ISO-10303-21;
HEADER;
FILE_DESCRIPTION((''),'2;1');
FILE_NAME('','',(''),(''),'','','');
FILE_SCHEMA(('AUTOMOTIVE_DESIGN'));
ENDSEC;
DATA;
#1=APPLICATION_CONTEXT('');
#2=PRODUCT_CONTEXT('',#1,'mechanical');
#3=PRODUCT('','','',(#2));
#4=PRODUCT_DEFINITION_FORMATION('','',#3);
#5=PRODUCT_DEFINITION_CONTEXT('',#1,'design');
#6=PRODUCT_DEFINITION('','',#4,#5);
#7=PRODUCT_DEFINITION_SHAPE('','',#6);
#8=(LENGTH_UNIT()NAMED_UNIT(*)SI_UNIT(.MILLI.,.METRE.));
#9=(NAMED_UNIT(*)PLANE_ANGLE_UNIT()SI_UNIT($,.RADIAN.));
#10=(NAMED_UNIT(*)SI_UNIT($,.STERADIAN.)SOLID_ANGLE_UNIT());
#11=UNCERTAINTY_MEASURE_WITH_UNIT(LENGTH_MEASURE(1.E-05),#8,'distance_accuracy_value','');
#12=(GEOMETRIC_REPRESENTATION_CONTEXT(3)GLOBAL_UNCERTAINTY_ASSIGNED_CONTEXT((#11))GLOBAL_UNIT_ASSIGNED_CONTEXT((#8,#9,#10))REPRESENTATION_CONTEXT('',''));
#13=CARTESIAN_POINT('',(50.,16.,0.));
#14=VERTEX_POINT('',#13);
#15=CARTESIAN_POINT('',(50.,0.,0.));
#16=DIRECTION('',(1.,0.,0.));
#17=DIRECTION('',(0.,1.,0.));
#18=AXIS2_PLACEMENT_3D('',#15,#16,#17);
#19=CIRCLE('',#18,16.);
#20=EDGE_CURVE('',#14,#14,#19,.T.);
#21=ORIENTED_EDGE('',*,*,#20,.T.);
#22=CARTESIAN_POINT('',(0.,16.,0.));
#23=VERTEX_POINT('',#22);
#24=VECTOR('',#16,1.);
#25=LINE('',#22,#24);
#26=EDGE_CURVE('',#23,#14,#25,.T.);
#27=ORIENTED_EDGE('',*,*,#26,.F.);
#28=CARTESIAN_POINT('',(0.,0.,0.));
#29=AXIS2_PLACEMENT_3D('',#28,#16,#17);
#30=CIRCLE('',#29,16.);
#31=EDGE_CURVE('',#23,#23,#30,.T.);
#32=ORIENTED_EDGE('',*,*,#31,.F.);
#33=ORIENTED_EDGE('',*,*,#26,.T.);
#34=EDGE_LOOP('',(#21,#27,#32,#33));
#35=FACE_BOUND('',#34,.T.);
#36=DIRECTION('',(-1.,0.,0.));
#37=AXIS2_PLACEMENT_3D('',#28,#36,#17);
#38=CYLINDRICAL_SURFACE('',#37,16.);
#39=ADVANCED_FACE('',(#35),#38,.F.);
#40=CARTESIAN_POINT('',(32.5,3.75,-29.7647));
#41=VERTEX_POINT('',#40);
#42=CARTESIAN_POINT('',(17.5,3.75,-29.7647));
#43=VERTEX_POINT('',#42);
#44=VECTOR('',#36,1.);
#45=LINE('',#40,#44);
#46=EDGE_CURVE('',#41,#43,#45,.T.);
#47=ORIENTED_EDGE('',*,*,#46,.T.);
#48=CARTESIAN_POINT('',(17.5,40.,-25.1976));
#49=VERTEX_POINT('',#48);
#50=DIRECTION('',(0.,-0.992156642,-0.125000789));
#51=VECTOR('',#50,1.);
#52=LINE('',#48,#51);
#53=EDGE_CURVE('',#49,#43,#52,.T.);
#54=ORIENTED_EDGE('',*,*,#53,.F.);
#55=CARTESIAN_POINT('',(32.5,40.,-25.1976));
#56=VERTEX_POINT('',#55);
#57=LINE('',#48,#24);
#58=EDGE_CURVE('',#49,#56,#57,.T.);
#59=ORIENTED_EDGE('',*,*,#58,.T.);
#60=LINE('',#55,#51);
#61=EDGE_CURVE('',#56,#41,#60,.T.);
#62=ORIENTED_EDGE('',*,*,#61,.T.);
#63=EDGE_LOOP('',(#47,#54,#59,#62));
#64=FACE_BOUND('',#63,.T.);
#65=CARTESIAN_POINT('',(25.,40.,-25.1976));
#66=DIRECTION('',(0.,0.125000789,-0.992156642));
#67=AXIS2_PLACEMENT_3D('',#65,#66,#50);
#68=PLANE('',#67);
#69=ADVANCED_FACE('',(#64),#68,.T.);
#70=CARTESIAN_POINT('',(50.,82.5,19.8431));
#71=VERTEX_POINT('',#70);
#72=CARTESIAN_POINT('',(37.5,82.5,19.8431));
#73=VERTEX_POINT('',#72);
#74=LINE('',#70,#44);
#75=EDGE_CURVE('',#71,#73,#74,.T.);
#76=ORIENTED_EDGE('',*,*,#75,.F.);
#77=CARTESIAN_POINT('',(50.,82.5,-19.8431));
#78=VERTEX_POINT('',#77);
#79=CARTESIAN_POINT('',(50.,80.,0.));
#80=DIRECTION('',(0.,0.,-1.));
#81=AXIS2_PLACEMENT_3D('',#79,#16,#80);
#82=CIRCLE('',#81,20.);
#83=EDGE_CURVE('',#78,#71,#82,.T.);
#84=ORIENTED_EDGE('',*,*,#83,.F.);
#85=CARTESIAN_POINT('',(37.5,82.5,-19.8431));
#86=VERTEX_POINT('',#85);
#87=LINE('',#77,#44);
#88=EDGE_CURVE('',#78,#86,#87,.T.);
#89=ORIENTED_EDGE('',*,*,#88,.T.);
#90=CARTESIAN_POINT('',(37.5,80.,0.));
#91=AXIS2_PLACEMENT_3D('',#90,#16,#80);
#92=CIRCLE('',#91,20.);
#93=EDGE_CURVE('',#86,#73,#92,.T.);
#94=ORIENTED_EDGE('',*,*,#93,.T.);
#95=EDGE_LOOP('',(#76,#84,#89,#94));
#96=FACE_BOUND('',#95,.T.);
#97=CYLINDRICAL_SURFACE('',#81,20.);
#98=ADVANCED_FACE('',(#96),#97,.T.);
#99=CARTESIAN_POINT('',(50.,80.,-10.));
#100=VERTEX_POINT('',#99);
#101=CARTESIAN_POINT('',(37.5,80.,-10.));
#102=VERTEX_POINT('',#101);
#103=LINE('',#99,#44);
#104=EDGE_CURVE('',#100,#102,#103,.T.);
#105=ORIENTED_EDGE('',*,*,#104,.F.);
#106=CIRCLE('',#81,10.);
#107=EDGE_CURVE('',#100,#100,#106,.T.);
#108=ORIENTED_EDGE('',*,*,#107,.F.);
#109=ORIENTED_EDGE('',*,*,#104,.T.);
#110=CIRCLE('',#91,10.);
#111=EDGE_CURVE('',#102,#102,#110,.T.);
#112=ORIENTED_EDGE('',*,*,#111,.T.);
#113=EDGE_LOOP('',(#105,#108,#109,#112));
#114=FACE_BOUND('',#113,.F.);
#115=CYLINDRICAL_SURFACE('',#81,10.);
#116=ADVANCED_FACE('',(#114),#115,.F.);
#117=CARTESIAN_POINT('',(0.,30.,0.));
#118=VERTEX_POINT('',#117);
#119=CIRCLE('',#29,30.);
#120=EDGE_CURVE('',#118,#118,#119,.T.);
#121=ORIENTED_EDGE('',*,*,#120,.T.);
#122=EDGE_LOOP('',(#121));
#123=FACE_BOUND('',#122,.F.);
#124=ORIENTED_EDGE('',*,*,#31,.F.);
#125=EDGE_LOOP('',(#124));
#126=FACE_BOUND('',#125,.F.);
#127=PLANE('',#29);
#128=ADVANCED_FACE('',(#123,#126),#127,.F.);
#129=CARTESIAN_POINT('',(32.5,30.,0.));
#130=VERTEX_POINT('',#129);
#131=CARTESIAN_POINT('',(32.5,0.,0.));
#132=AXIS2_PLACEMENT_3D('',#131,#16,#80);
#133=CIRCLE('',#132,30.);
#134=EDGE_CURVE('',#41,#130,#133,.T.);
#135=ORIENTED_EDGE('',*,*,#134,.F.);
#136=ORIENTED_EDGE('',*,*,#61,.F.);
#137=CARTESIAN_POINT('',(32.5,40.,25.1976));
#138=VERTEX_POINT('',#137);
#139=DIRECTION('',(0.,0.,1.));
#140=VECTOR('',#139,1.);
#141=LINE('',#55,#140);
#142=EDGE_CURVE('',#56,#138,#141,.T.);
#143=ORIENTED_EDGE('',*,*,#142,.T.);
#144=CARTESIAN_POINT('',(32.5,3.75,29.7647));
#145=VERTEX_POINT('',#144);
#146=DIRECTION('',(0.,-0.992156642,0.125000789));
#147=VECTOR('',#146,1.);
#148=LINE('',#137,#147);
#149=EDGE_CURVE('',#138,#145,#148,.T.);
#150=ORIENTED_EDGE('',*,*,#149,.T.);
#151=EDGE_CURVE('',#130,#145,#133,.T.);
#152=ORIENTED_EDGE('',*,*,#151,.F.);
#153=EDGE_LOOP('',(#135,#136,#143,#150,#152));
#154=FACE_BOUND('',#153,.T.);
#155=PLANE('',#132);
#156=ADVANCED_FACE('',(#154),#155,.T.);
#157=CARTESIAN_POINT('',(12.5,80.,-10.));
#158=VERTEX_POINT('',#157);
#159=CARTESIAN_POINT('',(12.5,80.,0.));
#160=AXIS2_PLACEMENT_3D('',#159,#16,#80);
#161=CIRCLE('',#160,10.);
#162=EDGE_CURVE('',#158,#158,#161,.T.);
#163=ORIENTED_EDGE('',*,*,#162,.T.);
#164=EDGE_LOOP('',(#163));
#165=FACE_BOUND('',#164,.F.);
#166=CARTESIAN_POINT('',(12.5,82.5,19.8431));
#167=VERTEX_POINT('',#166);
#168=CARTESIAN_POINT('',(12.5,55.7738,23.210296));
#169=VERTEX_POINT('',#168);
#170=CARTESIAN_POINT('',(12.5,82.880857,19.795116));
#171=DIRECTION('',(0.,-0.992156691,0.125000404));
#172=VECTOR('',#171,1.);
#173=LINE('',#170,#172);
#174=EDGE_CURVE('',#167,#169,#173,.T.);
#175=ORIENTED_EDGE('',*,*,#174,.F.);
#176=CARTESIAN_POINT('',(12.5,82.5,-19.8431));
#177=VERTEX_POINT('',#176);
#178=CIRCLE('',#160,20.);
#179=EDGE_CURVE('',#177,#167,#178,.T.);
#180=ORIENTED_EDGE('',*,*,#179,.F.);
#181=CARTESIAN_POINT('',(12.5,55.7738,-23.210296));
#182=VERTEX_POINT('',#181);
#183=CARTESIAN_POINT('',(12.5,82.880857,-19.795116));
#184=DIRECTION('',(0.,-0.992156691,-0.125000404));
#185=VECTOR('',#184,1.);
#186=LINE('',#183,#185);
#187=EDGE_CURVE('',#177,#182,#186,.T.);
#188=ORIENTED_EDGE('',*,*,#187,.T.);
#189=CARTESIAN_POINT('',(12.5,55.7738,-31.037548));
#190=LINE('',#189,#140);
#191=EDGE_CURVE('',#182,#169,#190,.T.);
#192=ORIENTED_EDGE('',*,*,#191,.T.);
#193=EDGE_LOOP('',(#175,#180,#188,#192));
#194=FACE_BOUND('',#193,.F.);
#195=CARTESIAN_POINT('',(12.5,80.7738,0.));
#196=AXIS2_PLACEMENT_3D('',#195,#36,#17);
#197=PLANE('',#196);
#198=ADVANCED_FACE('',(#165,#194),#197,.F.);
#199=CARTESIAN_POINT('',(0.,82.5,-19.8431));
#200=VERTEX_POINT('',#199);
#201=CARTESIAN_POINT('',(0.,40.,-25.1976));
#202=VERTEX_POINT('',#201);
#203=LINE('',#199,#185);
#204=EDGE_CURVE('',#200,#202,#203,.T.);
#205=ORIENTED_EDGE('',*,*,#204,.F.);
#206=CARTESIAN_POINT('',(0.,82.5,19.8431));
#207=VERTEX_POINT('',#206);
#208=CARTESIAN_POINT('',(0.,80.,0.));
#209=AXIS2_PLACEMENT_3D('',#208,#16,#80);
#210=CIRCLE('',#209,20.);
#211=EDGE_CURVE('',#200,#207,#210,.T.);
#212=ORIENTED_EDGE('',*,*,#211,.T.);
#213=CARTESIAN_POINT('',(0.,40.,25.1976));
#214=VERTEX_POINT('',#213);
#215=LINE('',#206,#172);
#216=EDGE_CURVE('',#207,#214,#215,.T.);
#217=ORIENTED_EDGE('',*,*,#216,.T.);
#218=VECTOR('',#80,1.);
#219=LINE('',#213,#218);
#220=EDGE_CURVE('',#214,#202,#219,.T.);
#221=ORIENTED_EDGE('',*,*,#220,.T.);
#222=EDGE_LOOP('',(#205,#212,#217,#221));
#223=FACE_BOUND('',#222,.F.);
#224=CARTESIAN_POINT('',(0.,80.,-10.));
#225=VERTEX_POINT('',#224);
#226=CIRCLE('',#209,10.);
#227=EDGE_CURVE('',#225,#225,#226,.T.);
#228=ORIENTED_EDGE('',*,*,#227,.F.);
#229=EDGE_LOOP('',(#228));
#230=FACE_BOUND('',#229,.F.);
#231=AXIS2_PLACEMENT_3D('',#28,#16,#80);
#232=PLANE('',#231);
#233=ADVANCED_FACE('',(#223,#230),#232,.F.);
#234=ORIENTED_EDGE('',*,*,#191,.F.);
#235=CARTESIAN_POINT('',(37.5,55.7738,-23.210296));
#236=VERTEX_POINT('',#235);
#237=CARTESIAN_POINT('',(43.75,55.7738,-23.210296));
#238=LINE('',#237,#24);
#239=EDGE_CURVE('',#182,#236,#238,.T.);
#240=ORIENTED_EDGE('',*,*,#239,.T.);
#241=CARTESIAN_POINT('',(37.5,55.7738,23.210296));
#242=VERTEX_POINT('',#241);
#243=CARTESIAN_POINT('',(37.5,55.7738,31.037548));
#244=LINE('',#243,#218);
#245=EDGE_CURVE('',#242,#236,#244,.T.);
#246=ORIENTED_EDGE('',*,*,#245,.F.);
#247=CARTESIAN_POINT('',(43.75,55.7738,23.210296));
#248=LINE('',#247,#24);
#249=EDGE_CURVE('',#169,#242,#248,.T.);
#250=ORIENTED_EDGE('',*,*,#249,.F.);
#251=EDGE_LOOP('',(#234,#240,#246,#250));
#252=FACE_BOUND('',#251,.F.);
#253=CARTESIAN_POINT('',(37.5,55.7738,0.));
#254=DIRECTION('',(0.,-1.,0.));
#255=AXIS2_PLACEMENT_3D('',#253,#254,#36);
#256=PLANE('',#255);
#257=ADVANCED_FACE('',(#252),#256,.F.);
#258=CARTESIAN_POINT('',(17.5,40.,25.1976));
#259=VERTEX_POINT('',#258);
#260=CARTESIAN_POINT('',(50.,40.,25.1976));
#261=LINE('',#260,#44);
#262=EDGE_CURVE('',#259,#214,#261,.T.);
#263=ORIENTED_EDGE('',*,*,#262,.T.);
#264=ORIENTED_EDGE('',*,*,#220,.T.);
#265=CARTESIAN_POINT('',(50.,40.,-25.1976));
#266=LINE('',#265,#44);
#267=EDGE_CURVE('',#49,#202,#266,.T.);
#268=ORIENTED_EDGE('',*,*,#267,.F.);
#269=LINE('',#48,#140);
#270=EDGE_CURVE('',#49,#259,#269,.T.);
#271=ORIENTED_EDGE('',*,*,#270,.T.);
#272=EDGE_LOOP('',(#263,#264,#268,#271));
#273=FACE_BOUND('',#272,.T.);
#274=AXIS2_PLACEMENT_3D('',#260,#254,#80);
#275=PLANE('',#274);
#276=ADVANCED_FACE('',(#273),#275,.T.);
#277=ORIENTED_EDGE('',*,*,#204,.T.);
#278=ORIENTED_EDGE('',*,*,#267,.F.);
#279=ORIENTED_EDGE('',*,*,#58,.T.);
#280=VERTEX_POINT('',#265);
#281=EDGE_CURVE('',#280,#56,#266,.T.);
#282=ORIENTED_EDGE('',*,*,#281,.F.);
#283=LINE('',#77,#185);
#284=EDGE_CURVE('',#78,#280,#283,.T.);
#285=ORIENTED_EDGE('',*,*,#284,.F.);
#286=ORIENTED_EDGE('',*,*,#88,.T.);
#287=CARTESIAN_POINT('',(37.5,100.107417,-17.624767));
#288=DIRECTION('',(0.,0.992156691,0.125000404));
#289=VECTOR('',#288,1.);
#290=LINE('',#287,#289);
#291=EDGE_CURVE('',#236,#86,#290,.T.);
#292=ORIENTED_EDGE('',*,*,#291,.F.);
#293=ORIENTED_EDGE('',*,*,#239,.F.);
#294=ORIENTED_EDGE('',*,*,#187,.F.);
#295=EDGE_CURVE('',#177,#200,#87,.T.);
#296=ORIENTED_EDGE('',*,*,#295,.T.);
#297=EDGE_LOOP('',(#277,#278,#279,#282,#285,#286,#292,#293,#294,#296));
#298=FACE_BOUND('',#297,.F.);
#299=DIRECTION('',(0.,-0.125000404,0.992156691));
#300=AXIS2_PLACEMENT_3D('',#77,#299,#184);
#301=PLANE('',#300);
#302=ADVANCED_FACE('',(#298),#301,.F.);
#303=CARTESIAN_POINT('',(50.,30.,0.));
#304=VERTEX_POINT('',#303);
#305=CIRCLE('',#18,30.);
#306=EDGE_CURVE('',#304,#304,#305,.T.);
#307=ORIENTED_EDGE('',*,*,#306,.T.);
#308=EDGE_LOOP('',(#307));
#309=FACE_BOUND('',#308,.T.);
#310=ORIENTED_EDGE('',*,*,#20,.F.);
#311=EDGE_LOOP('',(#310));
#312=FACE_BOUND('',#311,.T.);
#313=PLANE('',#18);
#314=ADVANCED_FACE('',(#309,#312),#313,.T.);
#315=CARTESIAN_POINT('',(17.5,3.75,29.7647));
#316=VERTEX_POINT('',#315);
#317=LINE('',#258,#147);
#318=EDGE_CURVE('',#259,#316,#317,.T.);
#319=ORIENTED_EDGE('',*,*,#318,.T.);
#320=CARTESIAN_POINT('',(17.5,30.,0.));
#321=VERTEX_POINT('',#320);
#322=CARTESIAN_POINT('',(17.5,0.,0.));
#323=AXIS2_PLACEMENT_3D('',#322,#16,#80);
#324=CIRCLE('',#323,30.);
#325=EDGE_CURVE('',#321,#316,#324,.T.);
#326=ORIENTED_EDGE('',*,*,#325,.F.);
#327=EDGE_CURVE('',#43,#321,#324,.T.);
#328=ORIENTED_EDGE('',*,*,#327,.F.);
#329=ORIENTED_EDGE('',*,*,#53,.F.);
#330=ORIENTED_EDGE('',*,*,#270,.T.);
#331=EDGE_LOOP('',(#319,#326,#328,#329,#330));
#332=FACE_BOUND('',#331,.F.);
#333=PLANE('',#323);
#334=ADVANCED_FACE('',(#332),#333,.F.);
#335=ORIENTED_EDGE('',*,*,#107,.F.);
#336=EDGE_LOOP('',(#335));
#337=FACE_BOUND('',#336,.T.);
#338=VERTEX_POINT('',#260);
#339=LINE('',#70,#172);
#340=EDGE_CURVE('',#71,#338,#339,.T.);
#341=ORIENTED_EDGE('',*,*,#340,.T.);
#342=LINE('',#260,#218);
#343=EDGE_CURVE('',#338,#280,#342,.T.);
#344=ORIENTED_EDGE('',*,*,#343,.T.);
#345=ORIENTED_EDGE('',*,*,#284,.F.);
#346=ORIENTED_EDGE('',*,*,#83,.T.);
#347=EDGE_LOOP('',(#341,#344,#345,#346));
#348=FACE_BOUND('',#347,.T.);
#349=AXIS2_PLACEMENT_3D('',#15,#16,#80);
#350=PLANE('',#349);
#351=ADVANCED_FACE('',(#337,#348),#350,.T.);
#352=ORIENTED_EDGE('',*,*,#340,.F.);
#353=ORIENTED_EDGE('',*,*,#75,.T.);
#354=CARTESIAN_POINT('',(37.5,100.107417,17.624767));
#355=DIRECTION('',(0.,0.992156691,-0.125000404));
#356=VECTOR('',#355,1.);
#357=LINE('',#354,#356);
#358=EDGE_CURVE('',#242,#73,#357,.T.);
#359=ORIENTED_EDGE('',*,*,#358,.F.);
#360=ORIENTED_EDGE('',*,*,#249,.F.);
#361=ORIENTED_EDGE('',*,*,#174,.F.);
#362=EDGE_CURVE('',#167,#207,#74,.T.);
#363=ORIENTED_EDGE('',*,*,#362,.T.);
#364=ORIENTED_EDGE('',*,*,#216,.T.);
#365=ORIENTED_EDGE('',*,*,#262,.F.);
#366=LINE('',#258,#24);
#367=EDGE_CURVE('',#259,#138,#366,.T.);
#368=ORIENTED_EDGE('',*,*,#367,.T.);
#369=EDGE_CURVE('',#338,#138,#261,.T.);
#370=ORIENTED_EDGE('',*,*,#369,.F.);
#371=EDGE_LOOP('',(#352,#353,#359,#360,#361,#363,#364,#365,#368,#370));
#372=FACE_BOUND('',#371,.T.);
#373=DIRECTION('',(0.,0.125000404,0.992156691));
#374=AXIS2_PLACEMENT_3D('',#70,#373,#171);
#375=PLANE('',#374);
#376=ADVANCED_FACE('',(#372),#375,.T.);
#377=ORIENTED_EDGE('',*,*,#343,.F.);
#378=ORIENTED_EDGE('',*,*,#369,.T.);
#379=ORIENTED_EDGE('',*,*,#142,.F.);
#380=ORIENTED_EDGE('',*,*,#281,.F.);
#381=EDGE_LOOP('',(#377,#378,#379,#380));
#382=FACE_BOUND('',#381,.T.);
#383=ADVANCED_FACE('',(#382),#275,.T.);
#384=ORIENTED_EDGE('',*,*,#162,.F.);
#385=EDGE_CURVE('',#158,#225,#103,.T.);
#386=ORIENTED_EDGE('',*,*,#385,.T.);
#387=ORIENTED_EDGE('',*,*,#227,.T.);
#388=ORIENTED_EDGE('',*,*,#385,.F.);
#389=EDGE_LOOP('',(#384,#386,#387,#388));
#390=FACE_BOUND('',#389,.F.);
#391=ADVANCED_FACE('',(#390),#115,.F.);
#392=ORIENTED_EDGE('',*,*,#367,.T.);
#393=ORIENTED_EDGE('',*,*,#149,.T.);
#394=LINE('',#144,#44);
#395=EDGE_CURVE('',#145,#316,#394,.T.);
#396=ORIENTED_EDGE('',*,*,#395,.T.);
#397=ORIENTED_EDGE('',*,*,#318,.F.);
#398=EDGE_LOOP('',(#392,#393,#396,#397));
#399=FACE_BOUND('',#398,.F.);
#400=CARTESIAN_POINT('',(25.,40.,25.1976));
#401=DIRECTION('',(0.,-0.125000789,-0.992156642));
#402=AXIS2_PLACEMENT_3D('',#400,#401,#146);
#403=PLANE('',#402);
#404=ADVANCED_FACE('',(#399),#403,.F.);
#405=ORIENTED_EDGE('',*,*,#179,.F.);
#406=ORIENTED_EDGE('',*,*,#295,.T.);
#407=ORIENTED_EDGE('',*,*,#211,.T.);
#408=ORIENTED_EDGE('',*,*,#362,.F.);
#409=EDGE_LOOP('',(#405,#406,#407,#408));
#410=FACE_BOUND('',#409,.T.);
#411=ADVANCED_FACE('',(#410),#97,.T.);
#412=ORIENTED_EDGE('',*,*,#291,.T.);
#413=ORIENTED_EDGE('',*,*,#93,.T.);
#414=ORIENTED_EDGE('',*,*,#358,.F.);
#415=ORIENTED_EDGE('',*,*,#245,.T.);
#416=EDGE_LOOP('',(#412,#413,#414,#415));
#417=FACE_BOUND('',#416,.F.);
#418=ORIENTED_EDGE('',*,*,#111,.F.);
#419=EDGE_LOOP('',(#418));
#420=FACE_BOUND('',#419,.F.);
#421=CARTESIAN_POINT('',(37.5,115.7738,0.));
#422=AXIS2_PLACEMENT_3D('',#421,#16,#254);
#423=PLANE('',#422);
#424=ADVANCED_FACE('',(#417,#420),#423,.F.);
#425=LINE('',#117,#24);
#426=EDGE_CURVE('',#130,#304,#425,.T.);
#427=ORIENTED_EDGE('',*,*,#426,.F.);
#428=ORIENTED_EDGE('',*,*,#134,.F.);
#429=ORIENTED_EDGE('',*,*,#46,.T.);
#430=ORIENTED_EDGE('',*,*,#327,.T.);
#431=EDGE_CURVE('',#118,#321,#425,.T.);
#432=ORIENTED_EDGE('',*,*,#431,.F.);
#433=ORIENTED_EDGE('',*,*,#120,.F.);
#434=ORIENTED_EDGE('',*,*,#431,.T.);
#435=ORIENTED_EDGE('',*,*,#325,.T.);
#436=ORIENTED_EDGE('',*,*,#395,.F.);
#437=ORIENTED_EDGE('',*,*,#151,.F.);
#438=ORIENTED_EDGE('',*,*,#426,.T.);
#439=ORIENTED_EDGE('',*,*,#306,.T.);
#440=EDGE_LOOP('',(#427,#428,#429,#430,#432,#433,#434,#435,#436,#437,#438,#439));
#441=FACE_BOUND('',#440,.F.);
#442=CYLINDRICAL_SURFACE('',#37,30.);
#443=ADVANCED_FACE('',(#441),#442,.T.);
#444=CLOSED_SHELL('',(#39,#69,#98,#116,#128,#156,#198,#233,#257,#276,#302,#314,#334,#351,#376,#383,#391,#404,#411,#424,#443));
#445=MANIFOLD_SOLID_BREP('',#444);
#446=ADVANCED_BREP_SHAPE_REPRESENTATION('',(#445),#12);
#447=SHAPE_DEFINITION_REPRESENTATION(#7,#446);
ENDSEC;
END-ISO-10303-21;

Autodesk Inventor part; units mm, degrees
ref_plane "YZ Plane" through (0, 0, 0) normal (1, 0, 0) x (0, 1, 0)
ref_plane "XZ Plane" through (0, 0, 0) normal (0, 1, 0) x (-1, 0, 0)
sketch "Sketch1" plane through (0, 0, 0) normal (1, 0, 0) x (0, 1, 0)
  circle A0 centre (0, 0) radius 30
  circle A1 centre (0, 0) radius 16
  dimension "d0" = 60
  dimension "d1" = 32
extrude "Extrusion1" add sketch "Sketch1" along normal blind 50
sketch "Sketch2" plane through (50, 0, 0) normal (1, 0, 0) x (0, 0, -1)
  circle A0 centre (0, 80) radius 10
  circle A1 centre (0, 80) radius 20
  line L0 (-19.8431, 82.5) -> (-29.7647, 3.75)
  line L1 (19.8431, 82.5) -> (29.7647, 3.75)
  circle A2 centre (0, 0) radius 30 projected
  line L2 (-25.1976, 40) -> (25.1976, 40)
  dimension "d4" = 20
  dimension "d5" = 40
  dimension "d6" = 80
  dimension "d7" = 40
extrude "Extrusion2" add sketch "Sketch2" against normal blind 50 contours A1 | A1 L1 L2 L0
sketch "Sketch3" plane through (0, 0, 0) normal (0, 0, 1) x (1, 0, 0)
  line L0 (12.5, 115.7738) -> (37.5, 115.7738)
  line L1 (37.5, 115.7738) -> (37.5, 55.7738)
  line L2 (37.5, 55.7738) -> (12.5, 55.7738)
  line L3 (12.5, 55.7738) -> (12.5, 115.7738)
  line L4 (0, 100) -> (0, 82.5) projected
  line L5 (0, 70) -> (0, 90) projected
  line L6 (50, 90) -> (50, 70) projected
  line L7 (0, 80.7738) -> (50, 80.7738)
  point P0 (0, 0)
  dimension "d10" = 12.5
  dimension "d11" = 25
  dimension "d12" = 25
  dimension "d13" = 60
extrude "Extrusion3" cut sketch "Sketch3" along normal through all both and the other way through all
ref_plane "Work Plane1" through (25, 0, 0) normal (1, 0, 0) x (0, 0, -1)
sketch "Sketch4" plane through (25, 0, 0) normal (1, 0, 0) x (0, 0, -1)
  line L0 (25.1976, 40) -> (29.7647, 3.75)
  line L1 (-25.1976, 40) -> (-29.7647, 3.75)
  circle A0 centre (0, 0) radius 30 projected
  line L2 (25.1976, 40) -> (-25.1976, 40) projected
extrude "Extrusion4" add sketch "Sketch4" along normal mid plane 15 contours L0 A0 L1 L2
properties part number "Exercise04"
